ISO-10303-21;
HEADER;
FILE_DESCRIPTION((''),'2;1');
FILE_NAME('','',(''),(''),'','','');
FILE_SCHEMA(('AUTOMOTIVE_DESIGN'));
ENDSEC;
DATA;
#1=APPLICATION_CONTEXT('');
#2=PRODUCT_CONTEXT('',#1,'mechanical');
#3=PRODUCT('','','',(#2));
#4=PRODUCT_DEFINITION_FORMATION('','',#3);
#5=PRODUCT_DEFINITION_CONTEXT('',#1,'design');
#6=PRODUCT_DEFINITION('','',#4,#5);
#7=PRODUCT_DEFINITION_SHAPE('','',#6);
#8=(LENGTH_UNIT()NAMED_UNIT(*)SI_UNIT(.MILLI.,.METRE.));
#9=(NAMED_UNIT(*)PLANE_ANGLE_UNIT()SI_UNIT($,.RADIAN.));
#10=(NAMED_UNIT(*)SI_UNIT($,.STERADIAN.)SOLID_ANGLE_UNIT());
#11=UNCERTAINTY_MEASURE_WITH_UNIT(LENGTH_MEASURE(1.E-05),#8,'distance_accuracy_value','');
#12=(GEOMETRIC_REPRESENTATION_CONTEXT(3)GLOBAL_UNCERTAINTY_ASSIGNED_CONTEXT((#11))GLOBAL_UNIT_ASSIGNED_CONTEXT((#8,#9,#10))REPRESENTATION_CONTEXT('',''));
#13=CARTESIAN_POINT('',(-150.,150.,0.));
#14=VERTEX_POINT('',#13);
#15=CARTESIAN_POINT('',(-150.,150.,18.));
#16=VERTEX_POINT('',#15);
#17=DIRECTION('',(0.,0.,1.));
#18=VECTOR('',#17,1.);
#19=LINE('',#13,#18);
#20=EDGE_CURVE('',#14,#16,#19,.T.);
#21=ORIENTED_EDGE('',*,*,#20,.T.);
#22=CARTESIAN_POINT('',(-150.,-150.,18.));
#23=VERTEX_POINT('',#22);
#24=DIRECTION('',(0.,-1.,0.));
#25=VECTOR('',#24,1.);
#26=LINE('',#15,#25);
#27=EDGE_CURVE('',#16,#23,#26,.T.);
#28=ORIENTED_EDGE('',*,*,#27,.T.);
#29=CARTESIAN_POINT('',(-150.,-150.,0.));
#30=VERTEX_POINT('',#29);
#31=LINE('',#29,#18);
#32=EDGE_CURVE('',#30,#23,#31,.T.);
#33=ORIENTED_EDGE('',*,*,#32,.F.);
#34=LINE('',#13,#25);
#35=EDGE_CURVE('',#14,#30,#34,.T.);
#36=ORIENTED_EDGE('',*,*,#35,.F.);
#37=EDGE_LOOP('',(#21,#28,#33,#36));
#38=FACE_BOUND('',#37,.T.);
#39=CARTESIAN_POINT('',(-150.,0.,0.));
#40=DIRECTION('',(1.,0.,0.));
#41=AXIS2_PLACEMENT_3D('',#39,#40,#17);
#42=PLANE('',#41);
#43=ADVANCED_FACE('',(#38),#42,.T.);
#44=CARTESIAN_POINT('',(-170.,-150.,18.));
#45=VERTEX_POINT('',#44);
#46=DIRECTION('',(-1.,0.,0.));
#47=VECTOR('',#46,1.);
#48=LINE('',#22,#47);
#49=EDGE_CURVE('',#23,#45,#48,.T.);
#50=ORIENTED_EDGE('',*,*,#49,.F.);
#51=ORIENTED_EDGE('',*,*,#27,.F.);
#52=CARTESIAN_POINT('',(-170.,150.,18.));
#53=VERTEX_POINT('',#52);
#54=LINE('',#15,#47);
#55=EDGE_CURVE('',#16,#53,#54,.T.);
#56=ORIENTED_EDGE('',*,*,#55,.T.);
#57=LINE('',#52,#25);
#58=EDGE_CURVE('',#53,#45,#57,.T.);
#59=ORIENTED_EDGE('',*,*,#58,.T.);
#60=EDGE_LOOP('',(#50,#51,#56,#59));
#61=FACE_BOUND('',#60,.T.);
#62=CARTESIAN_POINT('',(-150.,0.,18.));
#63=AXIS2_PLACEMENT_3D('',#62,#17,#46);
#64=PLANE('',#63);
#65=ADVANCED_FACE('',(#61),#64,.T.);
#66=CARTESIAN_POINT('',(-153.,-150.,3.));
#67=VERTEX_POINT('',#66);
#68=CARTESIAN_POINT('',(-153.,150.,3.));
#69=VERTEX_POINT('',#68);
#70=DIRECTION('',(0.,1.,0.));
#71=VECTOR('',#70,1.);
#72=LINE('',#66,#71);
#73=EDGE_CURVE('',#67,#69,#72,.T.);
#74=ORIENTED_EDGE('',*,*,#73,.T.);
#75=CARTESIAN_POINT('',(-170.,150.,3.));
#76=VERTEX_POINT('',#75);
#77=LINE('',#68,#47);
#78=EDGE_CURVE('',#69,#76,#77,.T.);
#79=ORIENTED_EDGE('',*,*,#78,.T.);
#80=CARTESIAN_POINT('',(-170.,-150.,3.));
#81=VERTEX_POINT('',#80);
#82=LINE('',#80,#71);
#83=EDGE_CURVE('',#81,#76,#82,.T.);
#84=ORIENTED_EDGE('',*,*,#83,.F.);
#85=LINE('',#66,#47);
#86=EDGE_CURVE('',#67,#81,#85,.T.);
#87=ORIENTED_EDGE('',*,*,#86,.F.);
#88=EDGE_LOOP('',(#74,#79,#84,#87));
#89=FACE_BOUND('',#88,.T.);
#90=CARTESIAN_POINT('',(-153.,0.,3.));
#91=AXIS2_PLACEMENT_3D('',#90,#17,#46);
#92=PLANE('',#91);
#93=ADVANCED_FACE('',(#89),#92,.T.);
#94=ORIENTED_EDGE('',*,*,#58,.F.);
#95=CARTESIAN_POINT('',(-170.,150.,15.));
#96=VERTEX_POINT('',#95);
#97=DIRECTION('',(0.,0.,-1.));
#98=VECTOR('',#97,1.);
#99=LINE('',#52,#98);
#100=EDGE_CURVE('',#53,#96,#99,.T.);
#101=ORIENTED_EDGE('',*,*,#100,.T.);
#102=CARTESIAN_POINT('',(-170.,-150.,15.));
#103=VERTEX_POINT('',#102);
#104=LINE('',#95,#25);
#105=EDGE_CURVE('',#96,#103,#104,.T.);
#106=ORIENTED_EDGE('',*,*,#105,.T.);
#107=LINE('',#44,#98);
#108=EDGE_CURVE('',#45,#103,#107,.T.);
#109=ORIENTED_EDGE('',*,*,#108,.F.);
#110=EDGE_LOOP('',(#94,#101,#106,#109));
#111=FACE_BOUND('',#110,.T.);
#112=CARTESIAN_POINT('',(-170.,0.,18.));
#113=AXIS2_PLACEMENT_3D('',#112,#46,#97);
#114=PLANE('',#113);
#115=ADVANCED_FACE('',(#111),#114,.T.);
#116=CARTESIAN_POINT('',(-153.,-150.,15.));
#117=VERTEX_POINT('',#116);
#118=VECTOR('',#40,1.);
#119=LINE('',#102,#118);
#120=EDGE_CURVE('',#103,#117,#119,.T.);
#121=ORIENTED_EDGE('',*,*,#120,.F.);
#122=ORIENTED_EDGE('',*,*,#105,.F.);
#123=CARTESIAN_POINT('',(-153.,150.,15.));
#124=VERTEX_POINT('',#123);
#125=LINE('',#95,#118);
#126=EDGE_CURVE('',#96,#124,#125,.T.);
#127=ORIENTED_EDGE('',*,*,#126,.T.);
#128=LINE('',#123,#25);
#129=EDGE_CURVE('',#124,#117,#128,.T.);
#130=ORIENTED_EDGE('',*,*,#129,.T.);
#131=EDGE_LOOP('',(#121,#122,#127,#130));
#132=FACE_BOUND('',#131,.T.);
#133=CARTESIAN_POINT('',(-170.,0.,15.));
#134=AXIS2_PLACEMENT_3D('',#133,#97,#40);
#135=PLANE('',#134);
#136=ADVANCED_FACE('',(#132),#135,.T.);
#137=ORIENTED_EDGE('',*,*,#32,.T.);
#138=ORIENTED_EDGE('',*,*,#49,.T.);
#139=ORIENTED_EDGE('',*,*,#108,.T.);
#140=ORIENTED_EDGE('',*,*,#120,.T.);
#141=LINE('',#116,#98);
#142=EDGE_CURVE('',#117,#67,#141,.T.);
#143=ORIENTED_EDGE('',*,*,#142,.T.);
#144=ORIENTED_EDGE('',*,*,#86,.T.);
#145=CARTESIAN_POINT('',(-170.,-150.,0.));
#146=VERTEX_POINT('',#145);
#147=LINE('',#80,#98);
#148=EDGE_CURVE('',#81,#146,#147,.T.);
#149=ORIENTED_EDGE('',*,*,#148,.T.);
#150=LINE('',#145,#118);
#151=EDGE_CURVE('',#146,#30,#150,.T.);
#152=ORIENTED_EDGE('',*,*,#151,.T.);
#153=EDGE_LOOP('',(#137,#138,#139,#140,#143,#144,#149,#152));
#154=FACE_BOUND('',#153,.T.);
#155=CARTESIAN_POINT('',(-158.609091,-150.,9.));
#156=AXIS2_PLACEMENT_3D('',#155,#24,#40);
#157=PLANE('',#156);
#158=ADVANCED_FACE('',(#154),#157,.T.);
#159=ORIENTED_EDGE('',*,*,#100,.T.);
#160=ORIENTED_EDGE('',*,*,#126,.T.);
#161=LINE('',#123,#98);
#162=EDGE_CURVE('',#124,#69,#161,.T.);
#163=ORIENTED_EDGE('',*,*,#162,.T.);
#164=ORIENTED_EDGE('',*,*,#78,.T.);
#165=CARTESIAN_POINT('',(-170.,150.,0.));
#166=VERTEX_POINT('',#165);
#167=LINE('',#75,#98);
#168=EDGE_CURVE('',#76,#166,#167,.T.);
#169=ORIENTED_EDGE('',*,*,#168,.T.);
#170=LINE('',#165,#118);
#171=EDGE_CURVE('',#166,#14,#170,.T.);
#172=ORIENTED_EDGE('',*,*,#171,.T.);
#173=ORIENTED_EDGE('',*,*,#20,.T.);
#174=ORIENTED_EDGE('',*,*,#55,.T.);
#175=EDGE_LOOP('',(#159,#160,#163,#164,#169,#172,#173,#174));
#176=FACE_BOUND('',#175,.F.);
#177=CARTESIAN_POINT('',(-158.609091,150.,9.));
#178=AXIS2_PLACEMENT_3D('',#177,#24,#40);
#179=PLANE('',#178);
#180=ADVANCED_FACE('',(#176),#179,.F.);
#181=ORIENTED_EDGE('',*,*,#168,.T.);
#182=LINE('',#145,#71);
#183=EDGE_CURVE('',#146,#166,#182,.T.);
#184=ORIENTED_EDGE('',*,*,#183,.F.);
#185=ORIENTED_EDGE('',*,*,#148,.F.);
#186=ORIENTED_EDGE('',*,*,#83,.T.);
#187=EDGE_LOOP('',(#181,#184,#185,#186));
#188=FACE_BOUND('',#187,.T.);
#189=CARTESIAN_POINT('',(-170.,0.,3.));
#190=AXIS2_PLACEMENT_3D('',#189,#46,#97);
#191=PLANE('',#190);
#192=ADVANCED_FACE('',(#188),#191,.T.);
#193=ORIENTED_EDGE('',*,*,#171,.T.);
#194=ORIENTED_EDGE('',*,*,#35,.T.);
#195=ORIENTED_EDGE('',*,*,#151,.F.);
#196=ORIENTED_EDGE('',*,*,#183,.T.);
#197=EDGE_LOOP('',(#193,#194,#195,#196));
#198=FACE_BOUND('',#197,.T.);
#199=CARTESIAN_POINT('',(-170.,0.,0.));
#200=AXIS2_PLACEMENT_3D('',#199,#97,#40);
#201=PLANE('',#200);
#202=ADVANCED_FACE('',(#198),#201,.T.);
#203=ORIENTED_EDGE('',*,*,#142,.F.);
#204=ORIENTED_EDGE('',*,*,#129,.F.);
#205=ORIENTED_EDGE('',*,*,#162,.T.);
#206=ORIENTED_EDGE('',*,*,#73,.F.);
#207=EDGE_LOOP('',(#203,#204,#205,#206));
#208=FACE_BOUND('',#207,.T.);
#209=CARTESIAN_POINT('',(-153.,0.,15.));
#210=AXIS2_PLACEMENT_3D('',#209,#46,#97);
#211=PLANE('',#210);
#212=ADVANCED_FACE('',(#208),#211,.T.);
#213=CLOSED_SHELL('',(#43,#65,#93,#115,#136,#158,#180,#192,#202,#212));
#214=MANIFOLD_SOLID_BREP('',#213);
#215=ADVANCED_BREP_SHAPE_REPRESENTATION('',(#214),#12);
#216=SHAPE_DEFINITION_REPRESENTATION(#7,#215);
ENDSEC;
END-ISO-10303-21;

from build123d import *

# Parameters (mm, degrees)
F2_DEPTH      = 150
F2_DEPTH_BACK = 150


with BuildPart() as f2:
    # F1 (on Front) → F2 (new body, two sides)
    with BuildSketch(Plane.XZ) as f2_sk:
        Polygon((-170, 0), (-150, 0), (-150, 18), (-170, 18), (-170, 15), (-153, 15), (-153, 3), (-170, 3), align=None)
    extrude(amount=F2_DEPTH)
    extrude(f2_sk.sketch, amount=-F2_DEPTH_BACK)


solid = f2.part
